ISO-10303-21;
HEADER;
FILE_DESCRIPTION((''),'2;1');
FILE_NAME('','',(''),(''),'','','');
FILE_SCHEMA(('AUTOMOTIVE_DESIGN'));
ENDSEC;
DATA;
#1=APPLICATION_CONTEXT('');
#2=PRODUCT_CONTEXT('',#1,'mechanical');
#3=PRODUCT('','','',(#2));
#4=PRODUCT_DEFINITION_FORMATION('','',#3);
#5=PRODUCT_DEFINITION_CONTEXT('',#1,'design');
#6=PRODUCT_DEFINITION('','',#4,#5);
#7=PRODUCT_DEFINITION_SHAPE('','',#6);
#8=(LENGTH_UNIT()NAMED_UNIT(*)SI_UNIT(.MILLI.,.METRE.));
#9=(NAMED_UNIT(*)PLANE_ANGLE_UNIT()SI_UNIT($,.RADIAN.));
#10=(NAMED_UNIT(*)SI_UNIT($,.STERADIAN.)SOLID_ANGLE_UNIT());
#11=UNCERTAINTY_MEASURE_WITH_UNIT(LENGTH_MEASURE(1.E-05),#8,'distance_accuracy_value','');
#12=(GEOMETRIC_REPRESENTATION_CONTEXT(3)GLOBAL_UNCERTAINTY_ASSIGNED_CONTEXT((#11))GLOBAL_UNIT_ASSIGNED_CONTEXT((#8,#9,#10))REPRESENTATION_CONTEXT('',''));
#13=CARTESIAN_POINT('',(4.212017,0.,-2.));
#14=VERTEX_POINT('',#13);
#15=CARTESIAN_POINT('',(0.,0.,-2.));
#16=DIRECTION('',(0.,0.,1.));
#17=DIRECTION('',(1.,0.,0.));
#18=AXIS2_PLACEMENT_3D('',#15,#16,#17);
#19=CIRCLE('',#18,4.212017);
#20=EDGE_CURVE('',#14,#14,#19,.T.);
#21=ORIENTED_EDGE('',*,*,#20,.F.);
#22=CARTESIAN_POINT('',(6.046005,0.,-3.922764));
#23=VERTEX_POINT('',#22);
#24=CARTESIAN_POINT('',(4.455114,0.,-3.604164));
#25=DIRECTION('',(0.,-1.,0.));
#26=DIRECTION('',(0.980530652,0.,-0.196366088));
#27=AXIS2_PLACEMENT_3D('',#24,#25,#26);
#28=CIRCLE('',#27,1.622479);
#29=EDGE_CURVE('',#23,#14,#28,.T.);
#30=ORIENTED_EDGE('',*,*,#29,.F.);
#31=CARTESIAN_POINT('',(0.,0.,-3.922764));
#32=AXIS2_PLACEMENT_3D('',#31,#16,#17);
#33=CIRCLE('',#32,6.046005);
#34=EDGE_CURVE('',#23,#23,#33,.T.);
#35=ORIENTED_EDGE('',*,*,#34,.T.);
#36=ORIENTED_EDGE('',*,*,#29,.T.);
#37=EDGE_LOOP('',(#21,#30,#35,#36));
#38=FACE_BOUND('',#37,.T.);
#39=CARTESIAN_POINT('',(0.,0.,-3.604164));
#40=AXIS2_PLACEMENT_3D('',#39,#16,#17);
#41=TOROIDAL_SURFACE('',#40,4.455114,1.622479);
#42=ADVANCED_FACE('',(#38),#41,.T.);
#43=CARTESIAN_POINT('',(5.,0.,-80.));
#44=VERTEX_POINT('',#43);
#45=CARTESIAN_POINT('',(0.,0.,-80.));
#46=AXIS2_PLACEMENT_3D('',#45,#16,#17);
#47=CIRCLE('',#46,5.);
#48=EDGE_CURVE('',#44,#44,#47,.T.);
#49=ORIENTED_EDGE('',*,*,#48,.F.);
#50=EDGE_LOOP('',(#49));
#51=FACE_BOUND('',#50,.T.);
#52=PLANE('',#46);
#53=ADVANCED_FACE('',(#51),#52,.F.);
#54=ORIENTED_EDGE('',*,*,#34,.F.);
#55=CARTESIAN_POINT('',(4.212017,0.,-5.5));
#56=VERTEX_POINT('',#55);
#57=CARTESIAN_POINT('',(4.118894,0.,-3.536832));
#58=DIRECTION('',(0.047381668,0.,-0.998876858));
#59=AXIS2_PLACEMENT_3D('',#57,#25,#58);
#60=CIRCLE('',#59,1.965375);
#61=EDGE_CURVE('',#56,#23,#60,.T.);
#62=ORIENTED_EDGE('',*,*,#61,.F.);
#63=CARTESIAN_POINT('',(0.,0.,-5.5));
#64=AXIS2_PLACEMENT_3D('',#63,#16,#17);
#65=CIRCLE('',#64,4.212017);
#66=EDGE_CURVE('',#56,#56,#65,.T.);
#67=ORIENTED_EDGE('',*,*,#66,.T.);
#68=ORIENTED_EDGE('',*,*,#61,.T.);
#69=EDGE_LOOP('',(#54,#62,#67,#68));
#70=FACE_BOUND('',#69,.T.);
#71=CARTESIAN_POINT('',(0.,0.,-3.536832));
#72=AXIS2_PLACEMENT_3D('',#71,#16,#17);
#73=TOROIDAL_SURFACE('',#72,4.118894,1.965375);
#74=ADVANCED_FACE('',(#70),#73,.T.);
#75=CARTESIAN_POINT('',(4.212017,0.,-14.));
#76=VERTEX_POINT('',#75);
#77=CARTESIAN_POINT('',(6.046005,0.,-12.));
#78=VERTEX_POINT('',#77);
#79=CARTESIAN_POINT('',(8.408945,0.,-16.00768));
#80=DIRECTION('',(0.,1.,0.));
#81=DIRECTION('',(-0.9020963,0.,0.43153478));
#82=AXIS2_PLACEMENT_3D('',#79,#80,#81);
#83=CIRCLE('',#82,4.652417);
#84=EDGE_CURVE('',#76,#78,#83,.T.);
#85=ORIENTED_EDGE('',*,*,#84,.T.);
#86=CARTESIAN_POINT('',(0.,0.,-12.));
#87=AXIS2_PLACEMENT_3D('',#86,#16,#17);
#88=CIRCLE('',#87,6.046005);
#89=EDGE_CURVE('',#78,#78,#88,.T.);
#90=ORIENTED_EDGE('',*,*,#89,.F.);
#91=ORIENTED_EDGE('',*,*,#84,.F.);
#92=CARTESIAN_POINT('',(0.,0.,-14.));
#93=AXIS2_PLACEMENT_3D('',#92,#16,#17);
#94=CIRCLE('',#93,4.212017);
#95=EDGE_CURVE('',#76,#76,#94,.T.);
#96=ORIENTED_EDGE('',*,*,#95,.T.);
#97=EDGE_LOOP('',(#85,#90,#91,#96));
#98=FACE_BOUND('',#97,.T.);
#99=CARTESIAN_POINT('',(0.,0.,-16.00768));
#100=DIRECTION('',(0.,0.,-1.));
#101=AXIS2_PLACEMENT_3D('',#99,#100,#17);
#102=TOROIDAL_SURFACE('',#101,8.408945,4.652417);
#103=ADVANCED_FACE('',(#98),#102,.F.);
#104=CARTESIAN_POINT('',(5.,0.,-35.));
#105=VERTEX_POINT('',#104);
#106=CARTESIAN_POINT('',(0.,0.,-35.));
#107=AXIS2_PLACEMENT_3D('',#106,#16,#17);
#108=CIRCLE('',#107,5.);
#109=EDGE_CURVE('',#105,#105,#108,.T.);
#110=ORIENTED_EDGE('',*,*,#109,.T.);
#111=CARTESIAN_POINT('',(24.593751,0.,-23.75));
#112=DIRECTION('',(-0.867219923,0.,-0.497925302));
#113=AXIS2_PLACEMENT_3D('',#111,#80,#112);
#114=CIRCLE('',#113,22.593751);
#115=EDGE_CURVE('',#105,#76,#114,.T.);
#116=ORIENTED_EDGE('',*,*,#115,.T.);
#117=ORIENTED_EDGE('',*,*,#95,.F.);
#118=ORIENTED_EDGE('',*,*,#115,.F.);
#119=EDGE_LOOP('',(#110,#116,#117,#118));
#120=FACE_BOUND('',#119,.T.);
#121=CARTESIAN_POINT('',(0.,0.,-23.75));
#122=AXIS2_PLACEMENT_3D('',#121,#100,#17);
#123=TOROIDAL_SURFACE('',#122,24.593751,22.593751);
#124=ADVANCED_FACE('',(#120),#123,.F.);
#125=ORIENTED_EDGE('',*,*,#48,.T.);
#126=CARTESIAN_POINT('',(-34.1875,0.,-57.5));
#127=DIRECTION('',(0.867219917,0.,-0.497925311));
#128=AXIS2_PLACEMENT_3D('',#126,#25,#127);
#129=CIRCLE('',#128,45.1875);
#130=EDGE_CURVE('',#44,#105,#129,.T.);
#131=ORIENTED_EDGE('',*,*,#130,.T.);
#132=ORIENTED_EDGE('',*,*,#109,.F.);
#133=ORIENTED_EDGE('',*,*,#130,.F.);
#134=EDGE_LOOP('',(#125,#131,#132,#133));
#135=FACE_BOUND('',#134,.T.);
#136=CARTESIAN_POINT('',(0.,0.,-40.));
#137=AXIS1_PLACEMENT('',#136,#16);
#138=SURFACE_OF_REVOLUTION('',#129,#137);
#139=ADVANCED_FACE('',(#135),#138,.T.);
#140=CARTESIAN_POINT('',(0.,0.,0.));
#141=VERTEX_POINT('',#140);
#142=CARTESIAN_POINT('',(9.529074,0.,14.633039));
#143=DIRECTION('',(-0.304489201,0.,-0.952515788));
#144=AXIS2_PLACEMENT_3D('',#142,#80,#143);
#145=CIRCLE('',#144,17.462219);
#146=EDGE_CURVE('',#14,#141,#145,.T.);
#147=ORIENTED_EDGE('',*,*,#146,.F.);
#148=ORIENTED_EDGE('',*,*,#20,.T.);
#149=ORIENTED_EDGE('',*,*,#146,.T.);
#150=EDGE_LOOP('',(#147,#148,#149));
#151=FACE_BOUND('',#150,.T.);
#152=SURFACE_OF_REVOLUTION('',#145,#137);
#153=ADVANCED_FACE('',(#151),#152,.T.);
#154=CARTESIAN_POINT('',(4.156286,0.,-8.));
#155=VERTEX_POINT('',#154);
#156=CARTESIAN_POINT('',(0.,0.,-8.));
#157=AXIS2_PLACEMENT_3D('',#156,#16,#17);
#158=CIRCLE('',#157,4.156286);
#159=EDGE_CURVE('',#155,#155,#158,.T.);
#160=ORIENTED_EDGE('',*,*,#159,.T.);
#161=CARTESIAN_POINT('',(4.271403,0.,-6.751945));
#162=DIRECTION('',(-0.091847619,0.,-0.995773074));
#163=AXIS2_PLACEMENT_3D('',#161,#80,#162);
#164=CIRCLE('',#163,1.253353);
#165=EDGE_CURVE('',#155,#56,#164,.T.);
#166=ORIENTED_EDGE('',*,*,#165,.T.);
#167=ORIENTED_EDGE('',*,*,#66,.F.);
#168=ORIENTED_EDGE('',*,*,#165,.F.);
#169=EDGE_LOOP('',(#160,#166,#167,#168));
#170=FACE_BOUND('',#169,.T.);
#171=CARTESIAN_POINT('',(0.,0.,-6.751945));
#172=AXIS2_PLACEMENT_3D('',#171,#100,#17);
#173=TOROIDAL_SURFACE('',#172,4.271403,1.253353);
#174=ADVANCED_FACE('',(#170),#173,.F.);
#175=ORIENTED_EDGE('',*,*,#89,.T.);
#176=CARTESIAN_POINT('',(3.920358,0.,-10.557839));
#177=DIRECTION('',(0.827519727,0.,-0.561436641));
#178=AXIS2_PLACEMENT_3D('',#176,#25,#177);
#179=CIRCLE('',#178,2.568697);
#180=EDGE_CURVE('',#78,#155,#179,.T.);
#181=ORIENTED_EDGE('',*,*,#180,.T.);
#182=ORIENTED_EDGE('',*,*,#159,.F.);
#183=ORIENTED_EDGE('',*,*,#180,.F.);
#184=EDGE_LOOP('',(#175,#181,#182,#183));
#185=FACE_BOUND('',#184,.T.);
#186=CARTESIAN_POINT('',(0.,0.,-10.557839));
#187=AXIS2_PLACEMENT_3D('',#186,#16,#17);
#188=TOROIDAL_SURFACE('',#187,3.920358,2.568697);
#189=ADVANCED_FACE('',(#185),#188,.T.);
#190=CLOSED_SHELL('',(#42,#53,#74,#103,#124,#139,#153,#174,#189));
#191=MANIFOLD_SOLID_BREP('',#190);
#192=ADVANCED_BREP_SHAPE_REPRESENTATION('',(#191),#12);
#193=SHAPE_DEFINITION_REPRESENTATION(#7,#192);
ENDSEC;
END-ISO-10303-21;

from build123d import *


with BuildPart() as f1:
    # F0 (on Front) → F1 (revolve)
    with BuildSketch(Plane.XZ):
        with BuildLine():
            Line((0, -80), (5, -80))
            ThreePointArc((5, -80), (11, -57.5), (5, -35))
            ThreePointArc((5, -35), (2.015889, -24.597189), (4.212017, -14))
            ThreePointArc((4.212017, -14), (4.979956, -12.863317), (6.046005, -12))
            ThreePointArc((6.046005, -12), (6.242912, -9.460595), (4.156286, -8))
            ThreePointArc((4.156286, -8), (3.018362, -6.724012), (4.212017, -5.5))
            ThreePointArc((4.212017, -5.5), (5.400399, -5.026948), (6.046005, -3.922764))
            ThreePointArc((6.046005, -3.922764), (5.629164, -2.484322), (4.212017, -2))
            ThreePointArc((4.212017, -2), (2.038954, -1.141218), (0, 0))
            Line((0, 0), (0, -80))
        make_face()
    revolve(axis=Axis((0, 0, -40), (0, 0, 1)))


solid = f1.part
